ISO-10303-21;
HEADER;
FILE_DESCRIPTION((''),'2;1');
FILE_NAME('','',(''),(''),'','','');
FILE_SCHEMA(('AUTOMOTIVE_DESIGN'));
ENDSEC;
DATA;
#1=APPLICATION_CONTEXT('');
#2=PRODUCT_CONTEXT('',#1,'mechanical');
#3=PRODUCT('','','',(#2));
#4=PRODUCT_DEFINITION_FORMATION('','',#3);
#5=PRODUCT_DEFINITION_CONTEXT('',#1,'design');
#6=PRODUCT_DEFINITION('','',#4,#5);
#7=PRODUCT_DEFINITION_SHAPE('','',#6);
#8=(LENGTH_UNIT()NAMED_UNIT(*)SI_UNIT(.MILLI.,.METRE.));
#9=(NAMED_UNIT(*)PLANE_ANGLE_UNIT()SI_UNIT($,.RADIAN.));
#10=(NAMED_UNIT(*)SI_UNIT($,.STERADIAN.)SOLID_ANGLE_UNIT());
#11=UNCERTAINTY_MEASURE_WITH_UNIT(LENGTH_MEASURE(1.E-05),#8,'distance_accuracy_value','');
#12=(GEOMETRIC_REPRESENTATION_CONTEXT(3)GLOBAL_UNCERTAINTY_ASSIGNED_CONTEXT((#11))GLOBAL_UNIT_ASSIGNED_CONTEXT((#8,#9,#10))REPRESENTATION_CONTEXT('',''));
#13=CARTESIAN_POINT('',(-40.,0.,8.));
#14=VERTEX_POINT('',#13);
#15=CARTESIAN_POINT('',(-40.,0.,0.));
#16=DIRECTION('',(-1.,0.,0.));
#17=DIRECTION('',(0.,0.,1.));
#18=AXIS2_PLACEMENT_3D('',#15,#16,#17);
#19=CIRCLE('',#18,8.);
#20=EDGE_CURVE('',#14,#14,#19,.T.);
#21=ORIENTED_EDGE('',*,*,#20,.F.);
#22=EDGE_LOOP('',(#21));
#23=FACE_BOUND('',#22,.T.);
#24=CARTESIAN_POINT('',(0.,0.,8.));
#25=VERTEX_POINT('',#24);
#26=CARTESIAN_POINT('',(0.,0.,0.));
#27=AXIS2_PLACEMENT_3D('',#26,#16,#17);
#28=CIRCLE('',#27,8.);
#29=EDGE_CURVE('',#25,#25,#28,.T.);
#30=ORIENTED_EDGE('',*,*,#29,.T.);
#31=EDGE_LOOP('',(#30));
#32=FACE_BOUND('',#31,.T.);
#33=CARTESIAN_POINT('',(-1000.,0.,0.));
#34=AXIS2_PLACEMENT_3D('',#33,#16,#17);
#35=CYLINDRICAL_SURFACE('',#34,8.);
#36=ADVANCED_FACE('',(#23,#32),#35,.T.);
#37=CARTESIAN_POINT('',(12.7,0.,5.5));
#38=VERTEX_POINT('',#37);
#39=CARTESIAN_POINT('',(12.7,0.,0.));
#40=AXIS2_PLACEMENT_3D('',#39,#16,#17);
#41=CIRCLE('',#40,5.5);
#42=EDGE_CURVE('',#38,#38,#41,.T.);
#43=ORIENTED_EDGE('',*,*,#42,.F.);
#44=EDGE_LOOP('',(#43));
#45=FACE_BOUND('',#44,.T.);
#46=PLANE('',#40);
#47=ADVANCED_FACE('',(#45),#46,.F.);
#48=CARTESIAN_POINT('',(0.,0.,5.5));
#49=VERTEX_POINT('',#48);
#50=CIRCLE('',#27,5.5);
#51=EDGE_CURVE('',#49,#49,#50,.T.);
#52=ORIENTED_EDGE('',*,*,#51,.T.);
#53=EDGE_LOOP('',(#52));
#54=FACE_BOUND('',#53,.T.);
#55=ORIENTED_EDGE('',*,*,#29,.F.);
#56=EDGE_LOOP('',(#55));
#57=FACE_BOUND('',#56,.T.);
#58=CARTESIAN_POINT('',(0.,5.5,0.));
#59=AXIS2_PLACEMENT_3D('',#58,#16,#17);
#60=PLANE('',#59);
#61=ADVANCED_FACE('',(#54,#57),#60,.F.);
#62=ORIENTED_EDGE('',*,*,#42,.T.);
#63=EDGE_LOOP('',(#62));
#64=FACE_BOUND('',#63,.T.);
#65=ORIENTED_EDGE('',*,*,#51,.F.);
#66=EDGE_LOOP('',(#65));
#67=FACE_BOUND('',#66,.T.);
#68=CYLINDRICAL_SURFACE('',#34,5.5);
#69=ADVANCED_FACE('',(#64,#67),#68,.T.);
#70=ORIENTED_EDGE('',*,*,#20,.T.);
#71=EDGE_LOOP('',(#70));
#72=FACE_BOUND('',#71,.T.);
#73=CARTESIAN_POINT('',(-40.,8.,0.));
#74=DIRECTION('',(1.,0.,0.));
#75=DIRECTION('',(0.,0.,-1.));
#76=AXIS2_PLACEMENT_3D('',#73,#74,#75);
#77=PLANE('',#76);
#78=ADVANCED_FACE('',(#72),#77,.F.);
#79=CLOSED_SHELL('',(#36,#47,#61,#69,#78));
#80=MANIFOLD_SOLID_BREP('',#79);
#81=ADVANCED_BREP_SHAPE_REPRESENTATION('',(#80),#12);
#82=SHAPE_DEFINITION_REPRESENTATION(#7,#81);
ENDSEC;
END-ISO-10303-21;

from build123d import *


with BuildPart() as part:
    # Fill_QC4 Sketch → Fill_QC4 (revolve)
    with BuildSketch(Plane.XY):
        Polygon((12.7, 0), (12.7, 5.5), (0, 5.5), (0, 8), (-40, 8), (-40, 0), align=None)
    revolve(axis=Axis((-1000, 0, 0), (1, 0, 0)))


solid = part.part
